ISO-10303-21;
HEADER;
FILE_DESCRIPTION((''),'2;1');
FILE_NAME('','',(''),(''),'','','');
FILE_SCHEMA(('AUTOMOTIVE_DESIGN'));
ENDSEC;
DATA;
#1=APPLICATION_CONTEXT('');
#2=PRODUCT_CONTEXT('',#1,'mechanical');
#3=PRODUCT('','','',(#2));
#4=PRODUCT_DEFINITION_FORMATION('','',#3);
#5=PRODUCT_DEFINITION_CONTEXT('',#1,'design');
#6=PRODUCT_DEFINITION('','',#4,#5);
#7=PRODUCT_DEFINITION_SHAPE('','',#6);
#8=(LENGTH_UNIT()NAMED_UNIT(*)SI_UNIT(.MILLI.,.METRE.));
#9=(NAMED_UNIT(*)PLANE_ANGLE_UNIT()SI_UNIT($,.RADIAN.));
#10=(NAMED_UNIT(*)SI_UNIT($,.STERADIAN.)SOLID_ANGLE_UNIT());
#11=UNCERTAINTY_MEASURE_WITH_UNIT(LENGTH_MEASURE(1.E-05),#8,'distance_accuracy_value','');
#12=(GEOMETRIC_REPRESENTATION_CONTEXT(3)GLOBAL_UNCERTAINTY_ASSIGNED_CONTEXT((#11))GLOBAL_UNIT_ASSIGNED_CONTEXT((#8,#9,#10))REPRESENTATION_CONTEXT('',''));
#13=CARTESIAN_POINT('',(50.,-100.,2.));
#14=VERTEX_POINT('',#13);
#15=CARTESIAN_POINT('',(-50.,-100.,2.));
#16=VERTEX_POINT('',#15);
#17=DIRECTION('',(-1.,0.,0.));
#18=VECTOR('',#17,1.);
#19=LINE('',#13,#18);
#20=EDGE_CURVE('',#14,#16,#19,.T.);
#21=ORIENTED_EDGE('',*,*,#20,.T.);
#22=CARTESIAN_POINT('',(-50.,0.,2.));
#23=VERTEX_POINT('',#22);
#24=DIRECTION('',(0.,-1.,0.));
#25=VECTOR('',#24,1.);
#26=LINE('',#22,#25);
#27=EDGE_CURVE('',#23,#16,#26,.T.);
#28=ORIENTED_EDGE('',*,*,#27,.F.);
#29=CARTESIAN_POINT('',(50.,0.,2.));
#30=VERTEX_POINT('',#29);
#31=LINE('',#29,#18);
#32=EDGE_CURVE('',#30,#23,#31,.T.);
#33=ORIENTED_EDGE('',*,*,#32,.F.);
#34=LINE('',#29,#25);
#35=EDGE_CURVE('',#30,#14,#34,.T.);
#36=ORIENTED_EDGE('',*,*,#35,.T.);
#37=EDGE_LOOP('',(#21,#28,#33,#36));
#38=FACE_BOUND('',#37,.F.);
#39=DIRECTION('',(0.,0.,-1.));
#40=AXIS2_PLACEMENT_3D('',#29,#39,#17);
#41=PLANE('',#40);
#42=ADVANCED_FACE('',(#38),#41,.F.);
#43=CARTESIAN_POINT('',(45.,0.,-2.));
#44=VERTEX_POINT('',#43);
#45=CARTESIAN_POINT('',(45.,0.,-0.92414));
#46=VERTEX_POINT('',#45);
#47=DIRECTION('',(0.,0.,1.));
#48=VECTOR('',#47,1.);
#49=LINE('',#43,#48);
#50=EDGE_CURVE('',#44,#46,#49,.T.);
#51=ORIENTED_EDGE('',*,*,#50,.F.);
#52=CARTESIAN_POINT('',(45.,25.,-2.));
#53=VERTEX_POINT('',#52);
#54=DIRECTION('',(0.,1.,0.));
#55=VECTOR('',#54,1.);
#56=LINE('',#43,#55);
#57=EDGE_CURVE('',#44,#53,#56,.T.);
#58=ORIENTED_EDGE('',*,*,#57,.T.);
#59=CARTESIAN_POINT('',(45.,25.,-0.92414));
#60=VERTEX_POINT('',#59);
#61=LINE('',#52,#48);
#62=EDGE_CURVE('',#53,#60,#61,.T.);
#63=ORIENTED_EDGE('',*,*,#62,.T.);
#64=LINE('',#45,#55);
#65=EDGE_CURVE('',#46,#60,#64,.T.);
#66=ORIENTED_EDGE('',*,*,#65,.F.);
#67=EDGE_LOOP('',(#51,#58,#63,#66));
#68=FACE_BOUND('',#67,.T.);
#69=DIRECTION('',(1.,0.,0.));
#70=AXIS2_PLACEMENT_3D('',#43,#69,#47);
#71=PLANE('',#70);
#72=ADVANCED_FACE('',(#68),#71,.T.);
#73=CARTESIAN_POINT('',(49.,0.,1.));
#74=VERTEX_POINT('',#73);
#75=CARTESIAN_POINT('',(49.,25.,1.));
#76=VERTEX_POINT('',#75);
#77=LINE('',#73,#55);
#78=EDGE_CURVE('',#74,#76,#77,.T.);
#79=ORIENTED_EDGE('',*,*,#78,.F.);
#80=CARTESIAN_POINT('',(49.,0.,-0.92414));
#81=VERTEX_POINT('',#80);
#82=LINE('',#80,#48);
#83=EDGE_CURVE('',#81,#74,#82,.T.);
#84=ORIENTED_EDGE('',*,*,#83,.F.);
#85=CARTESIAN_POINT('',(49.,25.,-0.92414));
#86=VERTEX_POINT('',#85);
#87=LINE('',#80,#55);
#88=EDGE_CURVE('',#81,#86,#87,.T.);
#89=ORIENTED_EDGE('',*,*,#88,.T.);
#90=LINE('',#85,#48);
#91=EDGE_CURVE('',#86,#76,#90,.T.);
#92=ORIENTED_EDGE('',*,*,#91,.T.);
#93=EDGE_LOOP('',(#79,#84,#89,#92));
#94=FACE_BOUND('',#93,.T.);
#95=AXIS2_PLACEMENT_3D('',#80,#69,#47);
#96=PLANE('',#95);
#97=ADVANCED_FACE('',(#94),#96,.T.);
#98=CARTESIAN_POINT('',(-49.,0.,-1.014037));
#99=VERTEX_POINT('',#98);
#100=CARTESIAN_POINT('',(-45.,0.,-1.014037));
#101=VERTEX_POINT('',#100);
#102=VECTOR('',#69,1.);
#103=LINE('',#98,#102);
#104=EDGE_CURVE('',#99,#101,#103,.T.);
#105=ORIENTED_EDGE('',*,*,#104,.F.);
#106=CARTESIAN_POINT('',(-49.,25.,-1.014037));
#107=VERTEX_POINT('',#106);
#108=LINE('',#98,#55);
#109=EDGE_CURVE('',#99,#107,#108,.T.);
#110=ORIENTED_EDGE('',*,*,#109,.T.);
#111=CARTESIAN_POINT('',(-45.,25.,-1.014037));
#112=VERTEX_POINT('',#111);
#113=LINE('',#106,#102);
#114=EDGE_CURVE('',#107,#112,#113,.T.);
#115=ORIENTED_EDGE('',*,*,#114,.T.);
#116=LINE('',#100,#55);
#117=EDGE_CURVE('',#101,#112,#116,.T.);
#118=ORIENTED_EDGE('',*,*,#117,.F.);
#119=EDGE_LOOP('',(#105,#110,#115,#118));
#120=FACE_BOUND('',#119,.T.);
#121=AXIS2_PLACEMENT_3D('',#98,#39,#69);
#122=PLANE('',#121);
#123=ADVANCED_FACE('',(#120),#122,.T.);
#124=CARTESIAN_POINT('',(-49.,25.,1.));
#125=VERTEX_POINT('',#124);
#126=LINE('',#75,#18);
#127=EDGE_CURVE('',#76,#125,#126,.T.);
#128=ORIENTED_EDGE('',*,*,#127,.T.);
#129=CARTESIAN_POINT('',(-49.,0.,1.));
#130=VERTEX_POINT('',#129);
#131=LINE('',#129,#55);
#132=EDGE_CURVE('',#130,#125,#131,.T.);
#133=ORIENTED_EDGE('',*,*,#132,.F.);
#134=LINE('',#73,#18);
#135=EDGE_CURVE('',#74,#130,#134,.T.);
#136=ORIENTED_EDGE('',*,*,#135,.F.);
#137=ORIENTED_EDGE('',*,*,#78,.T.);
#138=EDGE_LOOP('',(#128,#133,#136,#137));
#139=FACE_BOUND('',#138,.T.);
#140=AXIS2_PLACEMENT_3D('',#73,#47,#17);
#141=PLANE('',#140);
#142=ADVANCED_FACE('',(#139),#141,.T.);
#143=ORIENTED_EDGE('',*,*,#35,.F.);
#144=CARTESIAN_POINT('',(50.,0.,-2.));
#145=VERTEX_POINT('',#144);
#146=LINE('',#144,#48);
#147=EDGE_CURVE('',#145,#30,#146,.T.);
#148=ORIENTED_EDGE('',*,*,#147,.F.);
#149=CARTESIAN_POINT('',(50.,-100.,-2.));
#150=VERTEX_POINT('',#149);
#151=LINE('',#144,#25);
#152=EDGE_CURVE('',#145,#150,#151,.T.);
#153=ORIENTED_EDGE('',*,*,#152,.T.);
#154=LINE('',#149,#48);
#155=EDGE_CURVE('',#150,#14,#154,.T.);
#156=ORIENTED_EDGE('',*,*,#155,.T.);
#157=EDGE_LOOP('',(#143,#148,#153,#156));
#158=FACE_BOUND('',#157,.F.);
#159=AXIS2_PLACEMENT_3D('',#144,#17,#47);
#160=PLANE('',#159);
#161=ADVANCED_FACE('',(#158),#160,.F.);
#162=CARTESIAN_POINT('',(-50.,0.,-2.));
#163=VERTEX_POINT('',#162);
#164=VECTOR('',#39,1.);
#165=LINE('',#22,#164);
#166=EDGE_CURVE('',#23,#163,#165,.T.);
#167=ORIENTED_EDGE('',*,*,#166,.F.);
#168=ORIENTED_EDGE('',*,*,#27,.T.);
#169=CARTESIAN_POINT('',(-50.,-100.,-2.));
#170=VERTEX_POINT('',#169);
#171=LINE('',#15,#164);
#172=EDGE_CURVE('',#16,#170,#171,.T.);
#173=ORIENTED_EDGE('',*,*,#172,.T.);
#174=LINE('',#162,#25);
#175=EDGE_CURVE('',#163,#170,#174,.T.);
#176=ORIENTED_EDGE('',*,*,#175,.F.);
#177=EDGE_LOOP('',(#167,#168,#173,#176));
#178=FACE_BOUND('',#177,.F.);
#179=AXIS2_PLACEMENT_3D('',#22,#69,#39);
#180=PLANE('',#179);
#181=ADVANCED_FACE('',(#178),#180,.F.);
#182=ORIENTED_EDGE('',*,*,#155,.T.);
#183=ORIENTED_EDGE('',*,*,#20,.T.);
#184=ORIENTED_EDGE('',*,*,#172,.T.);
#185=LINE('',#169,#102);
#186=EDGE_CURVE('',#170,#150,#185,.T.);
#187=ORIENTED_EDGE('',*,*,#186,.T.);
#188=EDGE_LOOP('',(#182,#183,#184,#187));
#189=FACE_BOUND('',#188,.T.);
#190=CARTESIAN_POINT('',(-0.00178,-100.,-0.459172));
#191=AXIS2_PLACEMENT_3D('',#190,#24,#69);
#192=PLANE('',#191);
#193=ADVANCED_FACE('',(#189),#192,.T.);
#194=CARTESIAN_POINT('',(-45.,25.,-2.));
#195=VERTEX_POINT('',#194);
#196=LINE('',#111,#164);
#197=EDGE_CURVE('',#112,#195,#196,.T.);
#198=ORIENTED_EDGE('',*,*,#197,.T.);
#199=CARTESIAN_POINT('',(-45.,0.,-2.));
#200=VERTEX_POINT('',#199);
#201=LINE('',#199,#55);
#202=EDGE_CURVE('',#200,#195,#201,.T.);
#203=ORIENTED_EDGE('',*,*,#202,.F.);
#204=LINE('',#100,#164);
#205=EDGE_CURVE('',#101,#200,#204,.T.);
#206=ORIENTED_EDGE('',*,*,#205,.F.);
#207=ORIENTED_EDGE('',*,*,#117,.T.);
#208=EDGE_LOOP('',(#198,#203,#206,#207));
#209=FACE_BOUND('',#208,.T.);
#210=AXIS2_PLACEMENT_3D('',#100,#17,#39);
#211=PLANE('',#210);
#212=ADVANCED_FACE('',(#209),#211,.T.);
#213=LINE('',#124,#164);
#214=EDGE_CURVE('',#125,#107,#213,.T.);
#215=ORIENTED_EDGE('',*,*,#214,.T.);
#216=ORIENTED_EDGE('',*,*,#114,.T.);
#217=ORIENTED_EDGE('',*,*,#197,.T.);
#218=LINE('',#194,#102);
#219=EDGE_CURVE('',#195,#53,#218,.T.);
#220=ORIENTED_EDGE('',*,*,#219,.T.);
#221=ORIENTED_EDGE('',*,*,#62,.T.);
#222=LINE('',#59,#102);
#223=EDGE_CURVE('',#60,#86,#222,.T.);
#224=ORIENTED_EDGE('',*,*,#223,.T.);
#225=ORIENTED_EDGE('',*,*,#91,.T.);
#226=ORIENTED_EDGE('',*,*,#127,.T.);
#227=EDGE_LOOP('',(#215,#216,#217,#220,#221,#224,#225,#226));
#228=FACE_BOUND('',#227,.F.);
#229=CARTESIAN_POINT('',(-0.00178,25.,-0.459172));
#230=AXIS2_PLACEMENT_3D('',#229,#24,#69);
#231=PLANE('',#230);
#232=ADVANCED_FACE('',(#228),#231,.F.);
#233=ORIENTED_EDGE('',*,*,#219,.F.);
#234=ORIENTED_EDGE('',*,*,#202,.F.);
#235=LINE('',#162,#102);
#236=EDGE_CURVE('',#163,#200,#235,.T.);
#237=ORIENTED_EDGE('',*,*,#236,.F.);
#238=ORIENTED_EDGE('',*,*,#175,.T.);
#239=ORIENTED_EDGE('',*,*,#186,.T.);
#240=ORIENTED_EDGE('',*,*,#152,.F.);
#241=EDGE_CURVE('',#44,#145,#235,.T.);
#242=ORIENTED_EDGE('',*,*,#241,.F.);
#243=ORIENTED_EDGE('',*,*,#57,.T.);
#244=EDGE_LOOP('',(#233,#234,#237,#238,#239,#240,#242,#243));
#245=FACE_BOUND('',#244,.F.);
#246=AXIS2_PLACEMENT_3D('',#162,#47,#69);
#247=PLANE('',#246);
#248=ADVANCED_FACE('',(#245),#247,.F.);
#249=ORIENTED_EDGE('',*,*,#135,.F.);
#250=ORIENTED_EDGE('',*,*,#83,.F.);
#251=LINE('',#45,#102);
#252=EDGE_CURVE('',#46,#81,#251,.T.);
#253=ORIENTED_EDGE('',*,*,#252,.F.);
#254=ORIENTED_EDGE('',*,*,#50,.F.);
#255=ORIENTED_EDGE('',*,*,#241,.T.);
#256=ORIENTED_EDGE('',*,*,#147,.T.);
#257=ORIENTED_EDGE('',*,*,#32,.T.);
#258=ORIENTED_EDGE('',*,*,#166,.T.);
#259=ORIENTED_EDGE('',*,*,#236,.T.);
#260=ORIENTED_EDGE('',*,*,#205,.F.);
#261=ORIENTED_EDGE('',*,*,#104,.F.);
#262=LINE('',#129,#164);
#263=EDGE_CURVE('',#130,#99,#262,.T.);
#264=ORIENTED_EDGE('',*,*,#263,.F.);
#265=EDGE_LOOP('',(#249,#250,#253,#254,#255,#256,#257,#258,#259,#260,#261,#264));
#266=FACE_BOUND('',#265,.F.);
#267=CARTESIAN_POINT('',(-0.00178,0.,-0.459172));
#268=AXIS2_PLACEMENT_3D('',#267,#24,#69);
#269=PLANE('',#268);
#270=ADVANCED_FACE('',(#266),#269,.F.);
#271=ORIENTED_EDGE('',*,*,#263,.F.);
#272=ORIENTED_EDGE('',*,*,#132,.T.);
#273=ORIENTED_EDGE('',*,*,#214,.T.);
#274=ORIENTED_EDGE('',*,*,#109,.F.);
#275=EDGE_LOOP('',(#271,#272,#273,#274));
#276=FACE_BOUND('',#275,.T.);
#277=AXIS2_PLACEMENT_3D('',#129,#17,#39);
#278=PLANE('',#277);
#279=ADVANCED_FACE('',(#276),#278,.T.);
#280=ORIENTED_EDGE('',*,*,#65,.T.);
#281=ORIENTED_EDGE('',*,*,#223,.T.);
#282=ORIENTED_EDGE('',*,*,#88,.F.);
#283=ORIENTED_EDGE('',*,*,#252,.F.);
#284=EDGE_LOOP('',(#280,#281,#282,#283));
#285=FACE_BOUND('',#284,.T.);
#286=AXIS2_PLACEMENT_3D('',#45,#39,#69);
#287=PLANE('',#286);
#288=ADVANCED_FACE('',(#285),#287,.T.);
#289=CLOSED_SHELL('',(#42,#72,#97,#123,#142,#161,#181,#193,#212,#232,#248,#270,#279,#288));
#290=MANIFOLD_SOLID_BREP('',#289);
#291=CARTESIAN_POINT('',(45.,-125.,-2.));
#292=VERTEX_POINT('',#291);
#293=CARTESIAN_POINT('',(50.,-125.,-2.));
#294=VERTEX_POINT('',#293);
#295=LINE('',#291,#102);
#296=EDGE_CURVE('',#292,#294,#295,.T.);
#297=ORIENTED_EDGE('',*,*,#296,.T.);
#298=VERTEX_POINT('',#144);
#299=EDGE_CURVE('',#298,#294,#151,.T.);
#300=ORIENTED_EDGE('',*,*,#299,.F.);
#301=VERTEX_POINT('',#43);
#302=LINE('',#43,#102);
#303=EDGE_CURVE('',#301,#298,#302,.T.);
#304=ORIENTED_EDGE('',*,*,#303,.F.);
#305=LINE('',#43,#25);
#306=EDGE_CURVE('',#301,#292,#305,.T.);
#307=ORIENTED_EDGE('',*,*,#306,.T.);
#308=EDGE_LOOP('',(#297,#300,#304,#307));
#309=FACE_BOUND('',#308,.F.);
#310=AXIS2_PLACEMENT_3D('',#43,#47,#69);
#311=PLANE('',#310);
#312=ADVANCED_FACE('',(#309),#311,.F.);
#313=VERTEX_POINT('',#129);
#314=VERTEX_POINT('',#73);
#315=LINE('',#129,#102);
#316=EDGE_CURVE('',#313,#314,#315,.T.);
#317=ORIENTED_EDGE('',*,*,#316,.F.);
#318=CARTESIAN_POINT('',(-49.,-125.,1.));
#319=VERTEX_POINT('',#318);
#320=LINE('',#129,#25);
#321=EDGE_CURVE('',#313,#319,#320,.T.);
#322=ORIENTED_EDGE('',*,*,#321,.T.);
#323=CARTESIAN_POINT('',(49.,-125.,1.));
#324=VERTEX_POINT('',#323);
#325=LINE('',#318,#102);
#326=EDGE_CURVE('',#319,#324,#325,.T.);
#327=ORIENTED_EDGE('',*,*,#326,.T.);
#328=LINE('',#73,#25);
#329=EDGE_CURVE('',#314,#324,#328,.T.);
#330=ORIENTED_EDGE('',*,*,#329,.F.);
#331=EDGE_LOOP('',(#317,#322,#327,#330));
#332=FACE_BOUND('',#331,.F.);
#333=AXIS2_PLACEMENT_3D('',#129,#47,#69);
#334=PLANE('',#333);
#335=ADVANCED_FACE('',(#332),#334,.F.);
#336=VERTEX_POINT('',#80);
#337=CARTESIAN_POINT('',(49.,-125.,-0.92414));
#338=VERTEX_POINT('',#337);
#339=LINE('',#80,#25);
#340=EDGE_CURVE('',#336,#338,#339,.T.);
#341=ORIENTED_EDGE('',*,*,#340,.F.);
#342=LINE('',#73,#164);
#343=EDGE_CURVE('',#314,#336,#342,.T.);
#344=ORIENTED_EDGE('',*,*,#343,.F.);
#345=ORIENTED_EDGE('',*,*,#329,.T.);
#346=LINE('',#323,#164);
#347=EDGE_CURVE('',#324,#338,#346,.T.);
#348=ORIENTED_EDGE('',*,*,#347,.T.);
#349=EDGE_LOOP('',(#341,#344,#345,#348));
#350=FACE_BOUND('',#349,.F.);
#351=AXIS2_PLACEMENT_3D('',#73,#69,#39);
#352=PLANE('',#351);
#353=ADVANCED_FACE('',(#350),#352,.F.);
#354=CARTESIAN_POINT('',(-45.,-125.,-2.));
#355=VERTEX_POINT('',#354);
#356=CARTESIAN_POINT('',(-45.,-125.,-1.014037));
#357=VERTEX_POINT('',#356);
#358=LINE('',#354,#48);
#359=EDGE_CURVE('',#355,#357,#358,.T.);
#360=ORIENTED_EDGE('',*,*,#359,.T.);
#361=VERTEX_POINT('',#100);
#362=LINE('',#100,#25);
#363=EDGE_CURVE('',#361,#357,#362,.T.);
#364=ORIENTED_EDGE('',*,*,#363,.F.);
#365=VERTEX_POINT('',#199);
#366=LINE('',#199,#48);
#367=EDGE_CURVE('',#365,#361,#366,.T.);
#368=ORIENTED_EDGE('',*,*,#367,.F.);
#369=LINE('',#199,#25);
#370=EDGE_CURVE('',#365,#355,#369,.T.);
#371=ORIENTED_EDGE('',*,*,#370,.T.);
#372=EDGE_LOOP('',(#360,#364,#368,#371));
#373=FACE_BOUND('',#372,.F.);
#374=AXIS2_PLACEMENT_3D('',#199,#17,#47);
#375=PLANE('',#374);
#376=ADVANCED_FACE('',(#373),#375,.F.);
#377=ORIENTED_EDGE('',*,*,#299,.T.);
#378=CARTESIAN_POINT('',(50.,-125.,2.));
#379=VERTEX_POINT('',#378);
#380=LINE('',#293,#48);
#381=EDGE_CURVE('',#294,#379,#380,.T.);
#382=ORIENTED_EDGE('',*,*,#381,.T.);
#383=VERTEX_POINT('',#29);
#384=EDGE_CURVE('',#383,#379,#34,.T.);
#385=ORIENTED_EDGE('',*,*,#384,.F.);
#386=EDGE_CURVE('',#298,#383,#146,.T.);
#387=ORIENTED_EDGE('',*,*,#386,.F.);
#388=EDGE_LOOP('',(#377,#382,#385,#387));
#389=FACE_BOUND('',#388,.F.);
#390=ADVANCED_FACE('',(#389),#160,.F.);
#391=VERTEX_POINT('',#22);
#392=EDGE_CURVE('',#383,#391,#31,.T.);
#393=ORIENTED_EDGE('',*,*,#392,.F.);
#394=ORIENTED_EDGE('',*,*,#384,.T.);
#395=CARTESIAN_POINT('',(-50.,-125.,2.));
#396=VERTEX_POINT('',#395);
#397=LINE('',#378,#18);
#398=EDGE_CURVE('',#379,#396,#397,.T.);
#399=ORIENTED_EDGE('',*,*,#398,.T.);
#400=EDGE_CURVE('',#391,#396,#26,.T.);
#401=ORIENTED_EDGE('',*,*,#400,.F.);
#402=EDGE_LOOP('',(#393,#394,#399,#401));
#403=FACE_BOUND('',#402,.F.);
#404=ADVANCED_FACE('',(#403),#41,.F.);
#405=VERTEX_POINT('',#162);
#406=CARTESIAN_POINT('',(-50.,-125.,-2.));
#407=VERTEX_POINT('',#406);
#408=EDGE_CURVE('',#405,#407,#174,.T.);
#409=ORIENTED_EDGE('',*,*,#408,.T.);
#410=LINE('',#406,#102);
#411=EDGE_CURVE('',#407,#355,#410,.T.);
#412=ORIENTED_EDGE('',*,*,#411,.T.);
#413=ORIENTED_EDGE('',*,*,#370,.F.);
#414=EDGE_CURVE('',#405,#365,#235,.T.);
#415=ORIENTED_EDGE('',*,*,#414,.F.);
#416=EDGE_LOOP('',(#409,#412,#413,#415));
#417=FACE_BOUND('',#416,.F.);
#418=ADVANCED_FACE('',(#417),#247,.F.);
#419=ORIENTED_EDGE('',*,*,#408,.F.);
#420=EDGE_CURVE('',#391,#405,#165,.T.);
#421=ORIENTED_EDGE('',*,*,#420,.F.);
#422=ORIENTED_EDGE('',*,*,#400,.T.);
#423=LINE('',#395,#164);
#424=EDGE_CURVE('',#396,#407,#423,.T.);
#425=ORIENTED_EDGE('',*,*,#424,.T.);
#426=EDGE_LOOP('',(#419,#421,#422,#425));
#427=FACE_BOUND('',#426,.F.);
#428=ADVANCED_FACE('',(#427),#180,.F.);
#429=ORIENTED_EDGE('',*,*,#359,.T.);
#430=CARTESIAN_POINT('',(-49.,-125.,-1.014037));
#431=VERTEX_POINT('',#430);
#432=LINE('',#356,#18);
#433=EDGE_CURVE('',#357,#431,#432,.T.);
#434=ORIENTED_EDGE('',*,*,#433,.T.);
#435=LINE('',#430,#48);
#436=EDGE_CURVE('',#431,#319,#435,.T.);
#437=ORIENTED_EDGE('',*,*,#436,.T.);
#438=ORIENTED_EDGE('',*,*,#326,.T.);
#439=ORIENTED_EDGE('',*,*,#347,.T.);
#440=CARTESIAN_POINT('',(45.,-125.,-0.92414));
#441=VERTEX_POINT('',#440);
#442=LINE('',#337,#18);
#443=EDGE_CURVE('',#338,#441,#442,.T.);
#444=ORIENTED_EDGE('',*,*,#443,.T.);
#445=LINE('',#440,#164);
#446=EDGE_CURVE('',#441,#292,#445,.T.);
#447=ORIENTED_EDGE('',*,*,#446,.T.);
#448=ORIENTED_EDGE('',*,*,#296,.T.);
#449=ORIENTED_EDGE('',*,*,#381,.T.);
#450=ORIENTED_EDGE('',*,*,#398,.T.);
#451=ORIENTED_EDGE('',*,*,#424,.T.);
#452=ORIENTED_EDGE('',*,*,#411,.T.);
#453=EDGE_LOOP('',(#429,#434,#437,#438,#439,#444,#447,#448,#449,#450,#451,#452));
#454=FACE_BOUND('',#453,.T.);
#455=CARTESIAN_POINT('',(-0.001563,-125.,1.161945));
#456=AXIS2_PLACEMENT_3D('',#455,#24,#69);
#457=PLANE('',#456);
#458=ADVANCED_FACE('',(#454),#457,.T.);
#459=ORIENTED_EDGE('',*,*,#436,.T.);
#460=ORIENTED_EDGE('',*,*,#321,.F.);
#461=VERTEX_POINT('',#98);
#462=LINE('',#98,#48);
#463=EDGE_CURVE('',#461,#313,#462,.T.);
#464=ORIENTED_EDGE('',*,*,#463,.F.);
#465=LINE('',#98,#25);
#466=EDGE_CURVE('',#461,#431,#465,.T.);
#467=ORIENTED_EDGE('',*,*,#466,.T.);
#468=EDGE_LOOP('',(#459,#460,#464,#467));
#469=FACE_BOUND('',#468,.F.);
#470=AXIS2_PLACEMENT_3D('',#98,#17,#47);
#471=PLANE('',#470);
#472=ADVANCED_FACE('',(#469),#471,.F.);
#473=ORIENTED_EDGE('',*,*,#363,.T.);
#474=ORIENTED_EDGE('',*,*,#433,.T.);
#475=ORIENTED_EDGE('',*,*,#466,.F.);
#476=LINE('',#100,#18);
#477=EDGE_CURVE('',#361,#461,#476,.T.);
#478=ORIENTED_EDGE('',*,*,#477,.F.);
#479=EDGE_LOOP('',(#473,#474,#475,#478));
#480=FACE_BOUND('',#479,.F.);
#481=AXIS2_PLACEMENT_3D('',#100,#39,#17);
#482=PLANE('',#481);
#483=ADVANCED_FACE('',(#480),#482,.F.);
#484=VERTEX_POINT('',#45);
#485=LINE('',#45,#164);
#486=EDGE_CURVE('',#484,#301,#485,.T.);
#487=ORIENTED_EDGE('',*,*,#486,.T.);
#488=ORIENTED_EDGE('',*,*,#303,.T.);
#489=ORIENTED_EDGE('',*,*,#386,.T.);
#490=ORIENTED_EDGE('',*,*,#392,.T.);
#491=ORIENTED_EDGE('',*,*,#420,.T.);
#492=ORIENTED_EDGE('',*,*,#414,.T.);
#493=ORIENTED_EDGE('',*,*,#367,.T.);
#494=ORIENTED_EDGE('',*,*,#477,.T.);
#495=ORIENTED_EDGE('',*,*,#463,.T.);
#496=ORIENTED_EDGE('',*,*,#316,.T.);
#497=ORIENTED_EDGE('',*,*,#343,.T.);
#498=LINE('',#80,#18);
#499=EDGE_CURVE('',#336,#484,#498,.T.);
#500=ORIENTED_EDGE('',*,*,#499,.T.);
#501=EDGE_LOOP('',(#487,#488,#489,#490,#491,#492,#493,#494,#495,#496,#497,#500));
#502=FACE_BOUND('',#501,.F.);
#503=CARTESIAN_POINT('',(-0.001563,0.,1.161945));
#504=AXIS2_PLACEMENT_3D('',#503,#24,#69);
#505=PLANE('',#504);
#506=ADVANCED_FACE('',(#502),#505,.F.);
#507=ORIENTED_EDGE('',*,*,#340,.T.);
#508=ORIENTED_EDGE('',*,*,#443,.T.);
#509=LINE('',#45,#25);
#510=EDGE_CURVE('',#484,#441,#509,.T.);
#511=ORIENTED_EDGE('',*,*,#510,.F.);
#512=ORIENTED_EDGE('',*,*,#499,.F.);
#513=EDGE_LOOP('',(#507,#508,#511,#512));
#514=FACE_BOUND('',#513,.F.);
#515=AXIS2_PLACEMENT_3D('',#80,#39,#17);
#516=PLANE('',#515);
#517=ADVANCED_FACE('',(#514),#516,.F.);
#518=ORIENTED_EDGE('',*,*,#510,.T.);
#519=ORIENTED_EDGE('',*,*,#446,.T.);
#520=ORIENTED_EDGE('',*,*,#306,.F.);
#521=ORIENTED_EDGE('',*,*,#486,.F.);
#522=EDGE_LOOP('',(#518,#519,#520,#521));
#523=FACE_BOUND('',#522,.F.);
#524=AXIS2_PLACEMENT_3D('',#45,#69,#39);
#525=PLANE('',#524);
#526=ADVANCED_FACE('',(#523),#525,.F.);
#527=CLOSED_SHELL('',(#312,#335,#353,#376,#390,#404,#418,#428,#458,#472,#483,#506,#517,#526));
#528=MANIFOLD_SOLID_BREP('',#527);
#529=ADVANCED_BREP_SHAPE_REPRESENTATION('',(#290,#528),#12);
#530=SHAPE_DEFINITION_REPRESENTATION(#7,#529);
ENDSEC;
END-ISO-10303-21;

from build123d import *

# Parameters (mm, degrees)
F1_DEPTH = 100
F2_DEPTH = 25
F3_DEPTH = 125


with BuildPart() as f1:
    # F0 (on Front) → F1 (new body)
    with BuildSketch(Plane.XZ):
        Polygon((-45, -2), (45, -2), (45, -0.92414), (49, -0.92414), (49, 1), (-49, 1), (-49, -1.014037), (-45, -1.014037), align=None)
        Polygon((45, -2), (50, -2), (50, 2), (-50, 2), (-50, -2), (-45, -2), (-45, -1.014037), (-49, -1.014037), (-49, 1), (49, 1), (49, -0.92414), (45, -0.92414), align=None)
    extrude(amount=F1_DEPTH)

    # F0 (on Front) → F2 (join)
    with BuildSketch(Plane.XZ):
        Polygon((-45, -2), (45, -2), (45, -0.92414), (49, -0.92414), (49, 1), (-49, 1), (-49, -1.014037), (-45, -1.014037), align=None)
    extrude(amount=-F2_DEPTH)


with BuildPart() as f3:
    # F0 (on Front) → F3 (new body)
    with BuildSketch(Plane.XZ):
        Polygon((45, -2), (50, -2), (50, 2), (-50, 2), (-50, -2), (-45, -2), (-45, -1.014037), (-49, -1.014037), (-49, 1), (49, 1), (49, -0.92414), (45, -0.92414), align=None)
    extrude(amount=F3_DEPTH)


solid = Compound([f1.part, f3.part])
